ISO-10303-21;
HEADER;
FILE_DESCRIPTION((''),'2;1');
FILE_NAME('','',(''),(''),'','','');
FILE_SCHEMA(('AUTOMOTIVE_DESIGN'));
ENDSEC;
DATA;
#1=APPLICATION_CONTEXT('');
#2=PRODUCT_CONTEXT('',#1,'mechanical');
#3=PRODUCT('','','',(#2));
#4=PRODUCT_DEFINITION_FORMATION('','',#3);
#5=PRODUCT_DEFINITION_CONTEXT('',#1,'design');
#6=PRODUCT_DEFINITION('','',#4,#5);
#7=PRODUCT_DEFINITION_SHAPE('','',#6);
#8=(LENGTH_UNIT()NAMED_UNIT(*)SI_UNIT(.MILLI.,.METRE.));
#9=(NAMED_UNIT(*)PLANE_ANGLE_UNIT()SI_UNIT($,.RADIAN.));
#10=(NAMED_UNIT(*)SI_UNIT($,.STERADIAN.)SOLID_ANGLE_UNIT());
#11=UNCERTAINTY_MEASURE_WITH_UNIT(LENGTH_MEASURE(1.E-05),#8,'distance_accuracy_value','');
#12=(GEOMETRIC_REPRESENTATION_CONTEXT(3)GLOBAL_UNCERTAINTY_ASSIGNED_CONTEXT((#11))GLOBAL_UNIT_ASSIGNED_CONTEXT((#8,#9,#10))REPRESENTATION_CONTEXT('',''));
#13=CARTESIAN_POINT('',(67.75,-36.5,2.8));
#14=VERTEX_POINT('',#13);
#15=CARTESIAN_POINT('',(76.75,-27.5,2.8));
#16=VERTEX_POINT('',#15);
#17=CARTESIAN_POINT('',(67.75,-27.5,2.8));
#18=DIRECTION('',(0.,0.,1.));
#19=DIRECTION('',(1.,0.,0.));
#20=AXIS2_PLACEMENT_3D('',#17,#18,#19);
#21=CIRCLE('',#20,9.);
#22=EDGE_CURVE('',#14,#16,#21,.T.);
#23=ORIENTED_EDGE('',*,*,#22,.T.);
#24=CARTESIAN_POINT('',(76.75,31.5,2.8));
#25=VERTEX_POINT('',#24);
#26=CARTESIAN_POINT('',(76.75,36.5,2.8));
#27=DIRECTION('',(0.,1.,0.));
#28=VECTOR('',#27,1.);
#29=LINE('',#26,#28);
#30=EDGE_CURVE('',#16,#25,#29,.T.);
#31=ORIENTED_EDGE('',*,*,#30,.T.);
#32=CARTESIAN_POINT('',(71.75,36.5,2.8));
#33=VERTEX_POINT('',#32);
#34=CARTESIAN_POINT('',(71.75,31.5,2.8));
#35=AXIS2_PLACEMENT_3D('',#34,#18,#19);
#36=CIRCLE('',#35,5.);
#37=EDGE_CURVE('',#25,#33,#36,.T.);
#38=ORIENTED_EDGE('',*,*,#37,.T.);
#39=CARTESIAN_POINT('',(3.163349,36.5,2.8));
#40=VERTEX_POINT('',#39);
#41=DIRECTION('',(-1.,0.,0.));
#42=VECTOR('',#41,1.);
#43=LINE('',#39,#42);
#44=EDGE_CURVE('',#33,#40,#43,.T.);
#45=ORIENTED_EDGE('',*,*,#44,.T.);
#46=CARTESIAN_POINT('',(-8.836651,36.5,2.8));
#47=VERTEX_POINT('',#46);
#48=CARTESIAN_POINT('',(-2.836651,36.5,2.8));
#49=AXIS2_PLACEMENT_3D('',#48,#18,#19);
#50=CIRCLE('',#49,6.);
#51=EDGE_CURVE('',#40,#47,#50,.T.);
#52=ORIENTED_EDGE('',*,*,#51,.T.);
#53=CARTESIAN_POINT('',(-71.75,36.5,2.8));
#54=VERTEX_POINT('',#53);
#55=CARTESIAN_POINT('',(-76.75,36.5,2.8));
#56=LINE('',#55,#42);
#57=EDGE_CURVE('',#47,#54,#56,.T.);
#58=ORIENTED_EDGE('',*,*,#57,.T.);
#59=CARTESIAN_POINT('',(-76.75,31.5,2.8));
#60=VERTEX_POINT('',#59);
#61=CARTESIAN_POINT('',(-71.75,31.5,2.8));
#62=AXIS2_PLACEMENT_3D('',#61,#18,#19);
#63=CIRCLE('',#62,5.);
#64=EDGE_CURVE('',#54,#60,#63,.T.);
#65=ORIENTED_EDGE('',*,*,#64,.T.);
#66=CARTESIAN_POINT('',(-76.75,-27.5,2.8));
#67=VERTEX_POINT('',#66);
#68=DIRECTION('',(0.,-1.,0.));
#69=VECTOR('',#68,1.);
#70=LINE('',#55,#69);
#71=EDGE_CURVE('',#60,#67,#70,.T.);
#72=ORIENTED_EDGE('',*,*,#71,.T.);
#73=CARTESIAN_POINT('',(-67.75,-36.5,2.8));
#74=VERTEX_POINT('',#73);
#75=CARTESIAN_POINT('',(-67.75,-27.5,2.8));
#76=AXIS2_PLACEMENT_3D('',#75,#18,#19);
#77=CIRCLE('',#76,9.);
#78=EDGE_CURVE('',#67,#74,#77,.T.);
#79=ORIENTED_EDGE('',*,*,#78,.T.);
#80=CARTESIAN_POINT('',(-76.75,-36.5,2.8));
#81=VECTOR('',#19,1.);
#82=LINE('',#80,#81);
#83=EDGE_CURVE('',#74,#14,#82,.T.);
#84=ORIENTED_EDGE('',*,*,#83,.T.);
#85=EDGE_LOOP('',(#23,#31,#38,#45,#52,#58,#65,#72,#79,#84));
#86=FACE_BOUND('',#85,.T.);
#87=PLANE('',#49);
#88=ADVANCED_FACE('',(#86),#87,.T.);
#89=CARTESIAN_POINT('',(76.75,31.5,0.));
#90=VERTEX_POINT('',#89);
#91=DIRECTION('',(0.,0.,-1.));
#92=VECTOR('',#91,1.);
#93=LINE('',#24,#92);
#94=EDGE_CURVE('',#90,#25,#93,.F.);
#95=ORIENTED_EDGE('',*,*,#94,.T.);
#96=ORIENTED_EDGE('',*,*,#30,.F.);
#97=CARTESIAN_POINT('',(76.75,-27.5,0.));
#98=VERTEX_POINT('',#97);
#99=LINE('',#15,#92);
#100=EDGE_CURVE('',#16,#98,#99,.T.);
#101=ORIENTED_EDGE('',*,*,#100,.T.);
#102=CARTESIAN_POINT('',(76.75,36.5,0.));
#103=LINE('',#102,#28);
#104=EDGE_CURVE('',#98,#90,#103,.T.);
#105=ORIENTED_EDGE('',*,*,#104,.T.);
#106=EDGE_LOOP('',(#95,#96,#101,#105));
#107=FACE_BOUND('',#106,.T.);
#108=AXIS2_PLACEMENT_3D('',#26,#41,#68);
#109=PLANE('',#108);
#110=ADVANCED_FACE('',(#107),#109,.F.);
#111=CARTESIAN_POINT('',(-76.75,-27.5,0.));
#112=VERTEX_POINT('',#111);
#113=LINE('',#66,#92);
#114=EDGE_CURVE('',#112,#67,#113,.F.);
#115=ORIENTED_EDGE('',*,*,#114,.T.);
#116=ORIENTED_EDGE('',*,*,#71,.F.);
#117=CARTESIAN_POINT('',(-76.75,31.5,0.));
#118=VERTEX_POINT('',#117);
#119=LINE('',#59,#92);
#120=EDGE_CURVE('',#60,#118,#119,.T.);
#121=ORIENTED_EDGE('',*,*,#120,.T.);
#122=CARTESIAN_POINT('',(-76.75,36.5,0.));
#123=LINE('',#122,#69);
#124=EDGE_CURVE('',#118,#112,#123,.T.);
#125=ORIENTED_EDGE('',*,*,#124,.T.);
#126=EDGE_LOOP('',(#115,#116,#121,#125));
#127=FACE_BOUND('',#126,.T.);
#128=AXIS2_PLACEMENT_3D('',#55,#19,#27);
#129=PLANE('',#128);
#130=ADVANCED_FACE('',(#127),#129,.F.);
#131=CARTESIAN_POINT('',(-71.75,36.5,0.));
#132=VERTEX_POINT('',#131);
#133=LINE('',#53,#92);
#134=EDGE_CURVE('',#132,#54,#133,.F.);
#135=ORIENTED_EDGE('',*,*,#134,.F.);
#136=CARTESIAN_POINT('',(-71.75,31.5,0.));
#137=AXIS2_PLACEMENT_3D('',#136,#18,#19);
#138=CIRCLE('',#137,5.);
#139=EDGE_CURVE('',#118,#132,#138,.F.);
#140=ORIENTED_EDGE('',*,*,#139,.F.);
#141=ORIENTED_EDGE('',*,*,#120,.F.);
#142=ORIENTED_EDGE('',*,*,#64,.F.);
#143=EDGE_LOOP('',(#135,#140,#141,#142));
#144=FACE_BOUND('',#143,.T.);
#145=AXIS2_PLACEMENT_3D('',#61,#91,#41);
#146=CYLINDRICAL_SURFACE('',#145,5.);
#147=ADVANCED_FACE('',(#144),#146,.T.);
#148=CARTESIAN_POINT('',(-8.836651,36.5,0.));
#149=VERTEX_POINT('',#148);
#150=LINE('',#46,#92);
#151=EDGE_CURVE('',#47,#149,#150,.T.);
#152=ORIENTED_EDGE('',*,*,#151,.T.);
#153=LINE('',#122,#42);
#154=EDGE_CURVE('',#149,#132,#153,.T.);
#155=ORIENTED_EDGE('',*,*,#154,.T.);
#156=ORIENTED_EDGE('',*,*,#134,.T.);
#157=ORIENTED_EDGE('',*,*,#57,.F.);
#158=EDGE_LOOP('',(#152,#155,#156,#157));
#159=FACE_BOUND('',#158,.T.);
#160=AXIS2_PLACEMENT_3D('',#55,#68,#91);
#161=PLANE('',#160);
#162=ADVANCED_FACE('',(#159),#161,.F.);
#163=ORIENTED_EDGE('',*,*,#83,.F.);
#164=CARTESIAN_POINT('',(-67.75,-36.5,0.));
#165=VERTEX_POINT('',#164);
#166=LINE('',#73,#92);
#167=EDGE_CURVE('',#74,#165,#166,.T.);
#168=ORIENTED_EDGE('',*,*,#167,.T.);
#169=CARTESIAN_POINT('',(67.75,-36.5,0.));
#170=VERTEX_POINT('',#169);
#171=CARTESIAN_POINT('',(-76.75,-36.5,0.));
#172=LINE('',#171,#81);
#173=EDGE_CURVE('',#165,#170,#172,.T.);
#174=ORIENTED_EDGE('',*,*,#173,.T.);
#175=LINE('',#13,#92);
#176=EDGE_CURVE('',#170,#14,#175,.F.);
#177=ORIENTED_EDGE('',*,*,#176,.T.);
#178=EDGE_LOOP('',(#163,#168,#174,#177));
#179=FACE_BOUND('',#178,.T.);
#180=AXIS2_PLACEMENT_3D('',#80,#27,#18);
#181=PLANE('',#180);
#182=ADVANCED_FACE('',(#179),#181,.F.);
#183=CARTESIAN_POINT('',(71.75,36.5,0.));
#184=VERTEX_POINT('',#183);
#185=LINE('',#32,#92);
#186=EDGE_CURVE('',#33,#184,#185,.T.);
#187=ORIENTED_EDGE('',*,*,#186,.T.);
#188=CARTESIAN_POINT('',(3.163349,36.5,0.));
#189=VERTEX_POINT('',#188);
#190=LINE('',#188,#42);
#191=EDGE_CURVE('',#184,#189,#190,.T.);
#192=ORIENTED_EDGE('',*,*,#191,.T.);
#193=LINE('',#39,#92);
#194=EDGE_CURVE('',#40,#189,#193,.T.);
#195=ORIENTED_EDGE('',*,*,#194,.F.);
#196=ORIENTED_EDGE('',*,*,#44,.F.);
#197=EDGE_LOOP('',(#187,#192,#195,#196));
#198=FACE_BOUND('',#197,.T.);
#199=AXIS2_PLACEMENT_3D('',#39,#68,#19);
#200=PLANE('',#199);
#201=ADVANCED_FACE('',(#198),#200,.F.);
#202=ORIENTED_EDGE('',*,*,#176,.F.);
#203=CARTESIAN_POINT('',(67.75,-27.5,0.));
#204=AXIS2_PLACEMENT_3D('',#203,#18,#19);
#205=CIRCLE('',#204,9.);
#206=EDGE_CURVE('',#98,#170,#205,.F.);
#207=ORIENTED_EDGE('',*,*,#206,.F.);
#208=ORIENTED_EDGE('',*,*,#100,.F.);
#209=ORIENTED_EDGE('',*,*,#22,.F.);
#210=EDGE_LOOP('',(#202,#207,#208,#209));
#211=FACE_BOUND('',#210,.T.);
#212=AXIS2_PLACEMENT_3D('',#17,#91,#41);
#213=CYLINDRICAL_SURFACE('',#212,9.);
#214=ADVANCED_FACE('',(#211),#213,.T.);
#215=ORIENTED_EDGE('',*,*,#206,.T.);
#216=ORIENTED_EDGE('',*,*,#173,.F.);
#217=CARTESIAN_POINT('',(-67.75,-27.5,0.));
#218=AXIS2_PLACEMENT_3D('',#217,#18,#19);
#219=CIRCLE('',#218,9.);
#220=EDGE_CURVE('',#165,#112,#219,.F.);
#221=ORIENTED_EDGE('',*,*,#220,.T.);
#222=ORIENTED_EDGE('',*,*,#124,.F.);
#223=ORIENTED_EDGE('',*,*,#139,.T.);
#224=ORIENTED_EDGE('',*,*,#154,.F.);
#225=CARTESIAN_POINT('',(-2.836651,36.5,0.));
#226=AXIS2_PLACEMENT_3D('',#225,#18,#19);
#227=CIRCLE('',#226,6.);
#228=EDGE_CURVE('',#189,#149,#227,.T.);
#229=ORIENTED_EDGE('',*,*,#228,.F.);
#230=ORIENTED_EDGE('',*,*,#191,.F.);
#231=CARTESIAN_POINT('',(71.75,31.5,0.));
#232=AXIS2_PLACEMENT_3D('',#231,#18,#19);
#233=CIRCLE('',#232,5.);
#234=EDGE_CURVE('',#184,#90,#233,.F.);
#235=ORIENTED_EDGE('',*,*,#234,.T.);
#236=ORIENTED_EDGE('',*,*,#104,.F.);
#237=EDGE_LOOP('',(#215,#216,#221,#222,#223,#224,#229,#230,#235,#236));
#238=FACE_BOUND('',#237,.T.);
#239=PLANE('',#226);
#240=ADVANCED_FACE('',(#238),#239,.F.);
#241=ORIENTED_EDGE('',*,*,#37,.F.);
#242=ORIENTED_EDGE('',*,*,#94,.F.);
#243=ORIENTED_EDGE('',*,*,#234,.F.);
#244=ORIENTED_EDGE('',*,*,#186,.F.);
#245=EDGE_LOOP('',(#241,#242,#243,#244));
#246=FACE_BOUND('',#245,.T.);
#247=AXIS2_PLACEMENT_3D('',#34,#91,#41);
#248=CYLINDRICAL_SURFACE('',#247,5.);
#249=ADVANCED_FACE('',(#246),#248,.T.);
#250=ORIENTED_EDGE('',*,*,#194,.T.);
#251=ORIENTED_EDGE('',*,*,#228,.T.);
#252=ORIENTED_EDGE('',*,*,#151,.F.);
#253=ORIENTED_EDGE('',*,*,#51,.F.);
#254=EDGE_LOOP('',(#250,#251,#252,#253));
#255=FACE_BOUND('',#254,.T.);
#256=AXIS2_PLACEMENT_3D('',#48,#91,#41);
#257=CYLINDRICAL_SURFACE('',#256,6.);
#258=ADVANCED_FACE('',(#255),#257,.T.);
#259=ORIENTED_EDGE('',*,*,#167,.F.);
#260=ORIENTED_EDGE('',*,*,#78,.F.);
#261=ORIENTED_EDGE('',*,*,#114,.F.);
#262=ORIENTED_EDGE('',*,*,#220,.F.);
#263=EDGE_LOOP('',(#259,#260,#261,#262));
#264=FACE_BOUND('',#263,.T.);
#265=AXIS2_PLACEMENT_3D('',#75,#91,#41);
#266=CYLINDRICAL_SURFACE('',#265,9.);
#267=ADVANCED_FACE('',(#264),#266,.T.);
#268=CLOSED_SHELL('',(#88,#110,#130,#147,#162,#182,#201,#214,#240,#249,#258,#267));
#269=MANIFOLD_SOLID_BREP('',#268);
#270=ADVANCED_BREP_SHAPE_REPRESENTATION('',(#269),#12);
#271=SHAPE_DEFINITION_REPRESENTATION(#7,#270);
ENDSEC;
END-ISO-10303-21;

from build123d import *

# Parameters (mm, degrees)
BOSS_EXTRUDE1_DEPTH = 2.8
FILLET1_R           = 9
FILLET2_R           = 5


with BuildPart() as part:
    # Sketch1 → Boss-Extrude1 (new body)
    with BuildSketch(Plane.XY):
        with BuildLine():
            Line((3.163348562, 36.5), (76.75, 36.5))
            Line((76.75, 36.5), (76.75, -36.5))
            Line((76.75, -36.5), (-76.75, -36.5))
            Line((-76.75, -36.5), (-76.75, 36.5))
            Line((-76.75, 36.5), (-8.836651438, 36.5))
            ThreePointArc((-8.836651438, 36.5), (-2.836651438, 42.5), (3.163348562, 36.5))
        make_face()
    extrude(amount=BOSS_EXTRUDE1_DEPTH)

    # Fillet1
    fillet1_edges = [part.edges().sort_by_distance(p)[0] for p in [
        (76.75, -36.5, 1.4),
        (-76.75, -36.5, 1.4),
    ]]
    fillet(fillet1_edges, radius=FILLET1_R)

    # Fillet2
    fillet2_edges = [part.edges().sort_by_distance(p)[0] for p in [
        (-76.75, 36.5, 1.4),
        (76.75, 36.5, 1.4),
    ]]
    fillet(fillet2_edges, radius=FILLET2_R)


solid = part.part
